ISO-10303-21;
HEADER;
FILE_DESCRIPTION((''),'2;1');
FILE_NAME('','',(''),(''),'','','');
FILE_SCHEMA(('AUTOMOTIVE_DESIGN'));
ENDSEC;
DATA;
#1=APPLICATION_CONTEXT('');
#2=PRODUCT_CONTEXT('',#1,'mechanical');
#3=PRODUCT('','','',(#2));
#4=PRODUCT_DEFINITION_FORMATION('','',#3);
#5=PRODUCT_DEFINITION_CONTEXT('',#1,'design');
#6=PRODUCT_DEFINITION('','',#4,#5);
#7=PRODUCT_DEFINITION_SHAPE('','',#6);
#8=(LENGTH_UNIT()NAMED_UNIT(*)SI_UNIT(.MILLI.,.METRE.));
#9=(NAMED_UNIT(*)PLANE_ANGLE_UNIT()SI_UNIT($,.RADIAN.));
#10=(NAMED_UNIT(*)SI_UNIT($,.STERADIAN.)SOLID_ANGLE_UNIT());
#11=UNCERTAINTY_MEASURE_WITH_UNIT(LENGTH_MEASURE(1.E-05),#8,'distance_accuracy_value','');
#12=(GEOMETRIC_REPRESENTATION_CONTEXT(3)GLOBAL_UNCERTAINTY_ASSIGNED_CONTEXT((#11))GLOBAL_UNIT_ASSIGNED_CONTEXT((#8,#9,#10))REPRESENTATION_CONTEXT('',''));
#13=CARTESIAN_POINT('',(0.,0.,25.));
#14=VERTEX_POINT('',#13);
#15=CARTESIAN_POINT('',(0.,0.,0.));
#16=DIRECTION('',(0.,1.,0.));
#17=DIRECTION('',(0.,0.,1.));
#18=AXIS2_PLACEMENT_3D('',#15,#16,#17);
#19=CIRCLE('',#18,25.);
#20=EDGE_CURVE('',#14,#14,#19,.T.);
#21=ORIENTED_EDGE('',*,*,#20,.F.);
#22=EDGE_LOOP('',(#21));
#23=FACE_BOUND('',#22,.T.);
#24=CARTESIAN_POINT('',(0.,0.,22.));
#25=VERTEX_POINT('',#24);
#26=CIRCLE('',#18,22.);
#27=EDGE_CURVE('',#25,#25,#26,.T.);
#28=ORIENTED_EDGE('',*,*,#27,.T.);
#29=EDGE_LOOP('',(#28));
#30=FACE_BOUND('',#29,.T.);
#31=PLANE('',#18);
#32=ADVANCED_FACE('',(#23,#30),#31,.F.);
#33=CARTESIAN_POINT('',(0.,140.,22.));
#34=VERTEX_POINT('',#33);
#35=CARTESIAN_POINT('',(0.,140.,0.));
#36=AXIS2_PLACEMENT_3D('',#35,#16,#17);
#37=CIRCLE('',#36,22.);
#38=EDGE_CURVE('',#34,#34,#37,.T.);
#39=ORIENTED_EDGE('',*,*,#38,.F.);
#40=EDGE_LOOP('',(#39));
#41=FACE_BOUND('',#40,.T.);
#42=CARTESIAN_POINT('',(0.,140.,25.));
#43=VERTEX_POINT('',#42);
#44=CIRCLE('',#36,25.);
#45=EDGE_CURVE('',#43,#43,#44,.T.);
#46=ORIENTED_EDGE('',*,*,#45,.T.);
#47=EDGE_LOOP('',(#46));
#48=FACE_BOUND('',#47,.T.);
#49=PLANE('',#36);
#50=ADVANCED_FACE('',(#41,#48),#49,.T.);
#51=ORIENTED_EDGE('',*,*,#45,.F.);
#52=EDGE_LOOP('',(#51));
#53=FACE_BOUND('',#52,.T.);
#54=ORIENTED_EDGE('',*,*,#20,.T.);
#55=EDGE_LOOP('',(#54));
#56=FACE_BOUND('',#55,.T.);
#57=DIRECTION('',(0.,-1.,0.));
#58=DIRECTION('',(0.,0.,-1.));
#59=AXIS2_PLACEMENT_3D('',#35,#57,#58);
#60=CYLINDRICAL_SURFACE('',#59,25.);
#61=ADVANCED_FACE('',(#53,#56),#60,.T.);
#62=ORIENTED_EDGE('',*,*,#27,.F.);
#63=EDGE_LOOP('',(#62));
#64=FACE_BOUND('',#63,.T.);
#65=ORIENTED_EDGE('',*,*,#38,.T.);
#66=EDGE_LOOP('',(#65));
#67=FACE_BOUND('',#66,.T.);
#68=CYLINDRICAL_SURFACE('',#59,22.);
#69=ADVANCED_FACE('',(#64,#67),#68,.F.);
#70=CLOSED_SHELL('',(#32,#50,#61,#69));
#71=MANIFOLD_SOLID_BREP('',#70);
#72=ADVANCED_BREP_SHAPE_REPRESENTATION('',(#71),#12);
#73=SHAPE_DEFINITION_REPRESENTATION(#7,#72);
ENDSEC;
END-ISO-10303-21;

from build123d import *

# Parameters (mm, degrees)
SKETCH_1_R      = 25
SKETCH_1_R_2    = 22
EXTRUDE_1_DEPTH = 140


with BuildPart() as part:
    # 스케치1 → 보스-돌출1 (new body)
    with BuildSketch(Plane(origin=(0, 0, 0), x_dir=(1, 0, 0), z_dir=(0, 1, 0))):
        with Locations(Location((0, 0, 0), (0, 0, 270))):
            Circle(SKETCH_1_R)
        with Locations(Location((0, 0, 0), (0, 0, 270))):
            Circle(SKETCH_1_R_2, mode=Mode.SUBTRACT)
    extrude(amount=EXTRUDE_1_DEPTH)


solid = part.part
